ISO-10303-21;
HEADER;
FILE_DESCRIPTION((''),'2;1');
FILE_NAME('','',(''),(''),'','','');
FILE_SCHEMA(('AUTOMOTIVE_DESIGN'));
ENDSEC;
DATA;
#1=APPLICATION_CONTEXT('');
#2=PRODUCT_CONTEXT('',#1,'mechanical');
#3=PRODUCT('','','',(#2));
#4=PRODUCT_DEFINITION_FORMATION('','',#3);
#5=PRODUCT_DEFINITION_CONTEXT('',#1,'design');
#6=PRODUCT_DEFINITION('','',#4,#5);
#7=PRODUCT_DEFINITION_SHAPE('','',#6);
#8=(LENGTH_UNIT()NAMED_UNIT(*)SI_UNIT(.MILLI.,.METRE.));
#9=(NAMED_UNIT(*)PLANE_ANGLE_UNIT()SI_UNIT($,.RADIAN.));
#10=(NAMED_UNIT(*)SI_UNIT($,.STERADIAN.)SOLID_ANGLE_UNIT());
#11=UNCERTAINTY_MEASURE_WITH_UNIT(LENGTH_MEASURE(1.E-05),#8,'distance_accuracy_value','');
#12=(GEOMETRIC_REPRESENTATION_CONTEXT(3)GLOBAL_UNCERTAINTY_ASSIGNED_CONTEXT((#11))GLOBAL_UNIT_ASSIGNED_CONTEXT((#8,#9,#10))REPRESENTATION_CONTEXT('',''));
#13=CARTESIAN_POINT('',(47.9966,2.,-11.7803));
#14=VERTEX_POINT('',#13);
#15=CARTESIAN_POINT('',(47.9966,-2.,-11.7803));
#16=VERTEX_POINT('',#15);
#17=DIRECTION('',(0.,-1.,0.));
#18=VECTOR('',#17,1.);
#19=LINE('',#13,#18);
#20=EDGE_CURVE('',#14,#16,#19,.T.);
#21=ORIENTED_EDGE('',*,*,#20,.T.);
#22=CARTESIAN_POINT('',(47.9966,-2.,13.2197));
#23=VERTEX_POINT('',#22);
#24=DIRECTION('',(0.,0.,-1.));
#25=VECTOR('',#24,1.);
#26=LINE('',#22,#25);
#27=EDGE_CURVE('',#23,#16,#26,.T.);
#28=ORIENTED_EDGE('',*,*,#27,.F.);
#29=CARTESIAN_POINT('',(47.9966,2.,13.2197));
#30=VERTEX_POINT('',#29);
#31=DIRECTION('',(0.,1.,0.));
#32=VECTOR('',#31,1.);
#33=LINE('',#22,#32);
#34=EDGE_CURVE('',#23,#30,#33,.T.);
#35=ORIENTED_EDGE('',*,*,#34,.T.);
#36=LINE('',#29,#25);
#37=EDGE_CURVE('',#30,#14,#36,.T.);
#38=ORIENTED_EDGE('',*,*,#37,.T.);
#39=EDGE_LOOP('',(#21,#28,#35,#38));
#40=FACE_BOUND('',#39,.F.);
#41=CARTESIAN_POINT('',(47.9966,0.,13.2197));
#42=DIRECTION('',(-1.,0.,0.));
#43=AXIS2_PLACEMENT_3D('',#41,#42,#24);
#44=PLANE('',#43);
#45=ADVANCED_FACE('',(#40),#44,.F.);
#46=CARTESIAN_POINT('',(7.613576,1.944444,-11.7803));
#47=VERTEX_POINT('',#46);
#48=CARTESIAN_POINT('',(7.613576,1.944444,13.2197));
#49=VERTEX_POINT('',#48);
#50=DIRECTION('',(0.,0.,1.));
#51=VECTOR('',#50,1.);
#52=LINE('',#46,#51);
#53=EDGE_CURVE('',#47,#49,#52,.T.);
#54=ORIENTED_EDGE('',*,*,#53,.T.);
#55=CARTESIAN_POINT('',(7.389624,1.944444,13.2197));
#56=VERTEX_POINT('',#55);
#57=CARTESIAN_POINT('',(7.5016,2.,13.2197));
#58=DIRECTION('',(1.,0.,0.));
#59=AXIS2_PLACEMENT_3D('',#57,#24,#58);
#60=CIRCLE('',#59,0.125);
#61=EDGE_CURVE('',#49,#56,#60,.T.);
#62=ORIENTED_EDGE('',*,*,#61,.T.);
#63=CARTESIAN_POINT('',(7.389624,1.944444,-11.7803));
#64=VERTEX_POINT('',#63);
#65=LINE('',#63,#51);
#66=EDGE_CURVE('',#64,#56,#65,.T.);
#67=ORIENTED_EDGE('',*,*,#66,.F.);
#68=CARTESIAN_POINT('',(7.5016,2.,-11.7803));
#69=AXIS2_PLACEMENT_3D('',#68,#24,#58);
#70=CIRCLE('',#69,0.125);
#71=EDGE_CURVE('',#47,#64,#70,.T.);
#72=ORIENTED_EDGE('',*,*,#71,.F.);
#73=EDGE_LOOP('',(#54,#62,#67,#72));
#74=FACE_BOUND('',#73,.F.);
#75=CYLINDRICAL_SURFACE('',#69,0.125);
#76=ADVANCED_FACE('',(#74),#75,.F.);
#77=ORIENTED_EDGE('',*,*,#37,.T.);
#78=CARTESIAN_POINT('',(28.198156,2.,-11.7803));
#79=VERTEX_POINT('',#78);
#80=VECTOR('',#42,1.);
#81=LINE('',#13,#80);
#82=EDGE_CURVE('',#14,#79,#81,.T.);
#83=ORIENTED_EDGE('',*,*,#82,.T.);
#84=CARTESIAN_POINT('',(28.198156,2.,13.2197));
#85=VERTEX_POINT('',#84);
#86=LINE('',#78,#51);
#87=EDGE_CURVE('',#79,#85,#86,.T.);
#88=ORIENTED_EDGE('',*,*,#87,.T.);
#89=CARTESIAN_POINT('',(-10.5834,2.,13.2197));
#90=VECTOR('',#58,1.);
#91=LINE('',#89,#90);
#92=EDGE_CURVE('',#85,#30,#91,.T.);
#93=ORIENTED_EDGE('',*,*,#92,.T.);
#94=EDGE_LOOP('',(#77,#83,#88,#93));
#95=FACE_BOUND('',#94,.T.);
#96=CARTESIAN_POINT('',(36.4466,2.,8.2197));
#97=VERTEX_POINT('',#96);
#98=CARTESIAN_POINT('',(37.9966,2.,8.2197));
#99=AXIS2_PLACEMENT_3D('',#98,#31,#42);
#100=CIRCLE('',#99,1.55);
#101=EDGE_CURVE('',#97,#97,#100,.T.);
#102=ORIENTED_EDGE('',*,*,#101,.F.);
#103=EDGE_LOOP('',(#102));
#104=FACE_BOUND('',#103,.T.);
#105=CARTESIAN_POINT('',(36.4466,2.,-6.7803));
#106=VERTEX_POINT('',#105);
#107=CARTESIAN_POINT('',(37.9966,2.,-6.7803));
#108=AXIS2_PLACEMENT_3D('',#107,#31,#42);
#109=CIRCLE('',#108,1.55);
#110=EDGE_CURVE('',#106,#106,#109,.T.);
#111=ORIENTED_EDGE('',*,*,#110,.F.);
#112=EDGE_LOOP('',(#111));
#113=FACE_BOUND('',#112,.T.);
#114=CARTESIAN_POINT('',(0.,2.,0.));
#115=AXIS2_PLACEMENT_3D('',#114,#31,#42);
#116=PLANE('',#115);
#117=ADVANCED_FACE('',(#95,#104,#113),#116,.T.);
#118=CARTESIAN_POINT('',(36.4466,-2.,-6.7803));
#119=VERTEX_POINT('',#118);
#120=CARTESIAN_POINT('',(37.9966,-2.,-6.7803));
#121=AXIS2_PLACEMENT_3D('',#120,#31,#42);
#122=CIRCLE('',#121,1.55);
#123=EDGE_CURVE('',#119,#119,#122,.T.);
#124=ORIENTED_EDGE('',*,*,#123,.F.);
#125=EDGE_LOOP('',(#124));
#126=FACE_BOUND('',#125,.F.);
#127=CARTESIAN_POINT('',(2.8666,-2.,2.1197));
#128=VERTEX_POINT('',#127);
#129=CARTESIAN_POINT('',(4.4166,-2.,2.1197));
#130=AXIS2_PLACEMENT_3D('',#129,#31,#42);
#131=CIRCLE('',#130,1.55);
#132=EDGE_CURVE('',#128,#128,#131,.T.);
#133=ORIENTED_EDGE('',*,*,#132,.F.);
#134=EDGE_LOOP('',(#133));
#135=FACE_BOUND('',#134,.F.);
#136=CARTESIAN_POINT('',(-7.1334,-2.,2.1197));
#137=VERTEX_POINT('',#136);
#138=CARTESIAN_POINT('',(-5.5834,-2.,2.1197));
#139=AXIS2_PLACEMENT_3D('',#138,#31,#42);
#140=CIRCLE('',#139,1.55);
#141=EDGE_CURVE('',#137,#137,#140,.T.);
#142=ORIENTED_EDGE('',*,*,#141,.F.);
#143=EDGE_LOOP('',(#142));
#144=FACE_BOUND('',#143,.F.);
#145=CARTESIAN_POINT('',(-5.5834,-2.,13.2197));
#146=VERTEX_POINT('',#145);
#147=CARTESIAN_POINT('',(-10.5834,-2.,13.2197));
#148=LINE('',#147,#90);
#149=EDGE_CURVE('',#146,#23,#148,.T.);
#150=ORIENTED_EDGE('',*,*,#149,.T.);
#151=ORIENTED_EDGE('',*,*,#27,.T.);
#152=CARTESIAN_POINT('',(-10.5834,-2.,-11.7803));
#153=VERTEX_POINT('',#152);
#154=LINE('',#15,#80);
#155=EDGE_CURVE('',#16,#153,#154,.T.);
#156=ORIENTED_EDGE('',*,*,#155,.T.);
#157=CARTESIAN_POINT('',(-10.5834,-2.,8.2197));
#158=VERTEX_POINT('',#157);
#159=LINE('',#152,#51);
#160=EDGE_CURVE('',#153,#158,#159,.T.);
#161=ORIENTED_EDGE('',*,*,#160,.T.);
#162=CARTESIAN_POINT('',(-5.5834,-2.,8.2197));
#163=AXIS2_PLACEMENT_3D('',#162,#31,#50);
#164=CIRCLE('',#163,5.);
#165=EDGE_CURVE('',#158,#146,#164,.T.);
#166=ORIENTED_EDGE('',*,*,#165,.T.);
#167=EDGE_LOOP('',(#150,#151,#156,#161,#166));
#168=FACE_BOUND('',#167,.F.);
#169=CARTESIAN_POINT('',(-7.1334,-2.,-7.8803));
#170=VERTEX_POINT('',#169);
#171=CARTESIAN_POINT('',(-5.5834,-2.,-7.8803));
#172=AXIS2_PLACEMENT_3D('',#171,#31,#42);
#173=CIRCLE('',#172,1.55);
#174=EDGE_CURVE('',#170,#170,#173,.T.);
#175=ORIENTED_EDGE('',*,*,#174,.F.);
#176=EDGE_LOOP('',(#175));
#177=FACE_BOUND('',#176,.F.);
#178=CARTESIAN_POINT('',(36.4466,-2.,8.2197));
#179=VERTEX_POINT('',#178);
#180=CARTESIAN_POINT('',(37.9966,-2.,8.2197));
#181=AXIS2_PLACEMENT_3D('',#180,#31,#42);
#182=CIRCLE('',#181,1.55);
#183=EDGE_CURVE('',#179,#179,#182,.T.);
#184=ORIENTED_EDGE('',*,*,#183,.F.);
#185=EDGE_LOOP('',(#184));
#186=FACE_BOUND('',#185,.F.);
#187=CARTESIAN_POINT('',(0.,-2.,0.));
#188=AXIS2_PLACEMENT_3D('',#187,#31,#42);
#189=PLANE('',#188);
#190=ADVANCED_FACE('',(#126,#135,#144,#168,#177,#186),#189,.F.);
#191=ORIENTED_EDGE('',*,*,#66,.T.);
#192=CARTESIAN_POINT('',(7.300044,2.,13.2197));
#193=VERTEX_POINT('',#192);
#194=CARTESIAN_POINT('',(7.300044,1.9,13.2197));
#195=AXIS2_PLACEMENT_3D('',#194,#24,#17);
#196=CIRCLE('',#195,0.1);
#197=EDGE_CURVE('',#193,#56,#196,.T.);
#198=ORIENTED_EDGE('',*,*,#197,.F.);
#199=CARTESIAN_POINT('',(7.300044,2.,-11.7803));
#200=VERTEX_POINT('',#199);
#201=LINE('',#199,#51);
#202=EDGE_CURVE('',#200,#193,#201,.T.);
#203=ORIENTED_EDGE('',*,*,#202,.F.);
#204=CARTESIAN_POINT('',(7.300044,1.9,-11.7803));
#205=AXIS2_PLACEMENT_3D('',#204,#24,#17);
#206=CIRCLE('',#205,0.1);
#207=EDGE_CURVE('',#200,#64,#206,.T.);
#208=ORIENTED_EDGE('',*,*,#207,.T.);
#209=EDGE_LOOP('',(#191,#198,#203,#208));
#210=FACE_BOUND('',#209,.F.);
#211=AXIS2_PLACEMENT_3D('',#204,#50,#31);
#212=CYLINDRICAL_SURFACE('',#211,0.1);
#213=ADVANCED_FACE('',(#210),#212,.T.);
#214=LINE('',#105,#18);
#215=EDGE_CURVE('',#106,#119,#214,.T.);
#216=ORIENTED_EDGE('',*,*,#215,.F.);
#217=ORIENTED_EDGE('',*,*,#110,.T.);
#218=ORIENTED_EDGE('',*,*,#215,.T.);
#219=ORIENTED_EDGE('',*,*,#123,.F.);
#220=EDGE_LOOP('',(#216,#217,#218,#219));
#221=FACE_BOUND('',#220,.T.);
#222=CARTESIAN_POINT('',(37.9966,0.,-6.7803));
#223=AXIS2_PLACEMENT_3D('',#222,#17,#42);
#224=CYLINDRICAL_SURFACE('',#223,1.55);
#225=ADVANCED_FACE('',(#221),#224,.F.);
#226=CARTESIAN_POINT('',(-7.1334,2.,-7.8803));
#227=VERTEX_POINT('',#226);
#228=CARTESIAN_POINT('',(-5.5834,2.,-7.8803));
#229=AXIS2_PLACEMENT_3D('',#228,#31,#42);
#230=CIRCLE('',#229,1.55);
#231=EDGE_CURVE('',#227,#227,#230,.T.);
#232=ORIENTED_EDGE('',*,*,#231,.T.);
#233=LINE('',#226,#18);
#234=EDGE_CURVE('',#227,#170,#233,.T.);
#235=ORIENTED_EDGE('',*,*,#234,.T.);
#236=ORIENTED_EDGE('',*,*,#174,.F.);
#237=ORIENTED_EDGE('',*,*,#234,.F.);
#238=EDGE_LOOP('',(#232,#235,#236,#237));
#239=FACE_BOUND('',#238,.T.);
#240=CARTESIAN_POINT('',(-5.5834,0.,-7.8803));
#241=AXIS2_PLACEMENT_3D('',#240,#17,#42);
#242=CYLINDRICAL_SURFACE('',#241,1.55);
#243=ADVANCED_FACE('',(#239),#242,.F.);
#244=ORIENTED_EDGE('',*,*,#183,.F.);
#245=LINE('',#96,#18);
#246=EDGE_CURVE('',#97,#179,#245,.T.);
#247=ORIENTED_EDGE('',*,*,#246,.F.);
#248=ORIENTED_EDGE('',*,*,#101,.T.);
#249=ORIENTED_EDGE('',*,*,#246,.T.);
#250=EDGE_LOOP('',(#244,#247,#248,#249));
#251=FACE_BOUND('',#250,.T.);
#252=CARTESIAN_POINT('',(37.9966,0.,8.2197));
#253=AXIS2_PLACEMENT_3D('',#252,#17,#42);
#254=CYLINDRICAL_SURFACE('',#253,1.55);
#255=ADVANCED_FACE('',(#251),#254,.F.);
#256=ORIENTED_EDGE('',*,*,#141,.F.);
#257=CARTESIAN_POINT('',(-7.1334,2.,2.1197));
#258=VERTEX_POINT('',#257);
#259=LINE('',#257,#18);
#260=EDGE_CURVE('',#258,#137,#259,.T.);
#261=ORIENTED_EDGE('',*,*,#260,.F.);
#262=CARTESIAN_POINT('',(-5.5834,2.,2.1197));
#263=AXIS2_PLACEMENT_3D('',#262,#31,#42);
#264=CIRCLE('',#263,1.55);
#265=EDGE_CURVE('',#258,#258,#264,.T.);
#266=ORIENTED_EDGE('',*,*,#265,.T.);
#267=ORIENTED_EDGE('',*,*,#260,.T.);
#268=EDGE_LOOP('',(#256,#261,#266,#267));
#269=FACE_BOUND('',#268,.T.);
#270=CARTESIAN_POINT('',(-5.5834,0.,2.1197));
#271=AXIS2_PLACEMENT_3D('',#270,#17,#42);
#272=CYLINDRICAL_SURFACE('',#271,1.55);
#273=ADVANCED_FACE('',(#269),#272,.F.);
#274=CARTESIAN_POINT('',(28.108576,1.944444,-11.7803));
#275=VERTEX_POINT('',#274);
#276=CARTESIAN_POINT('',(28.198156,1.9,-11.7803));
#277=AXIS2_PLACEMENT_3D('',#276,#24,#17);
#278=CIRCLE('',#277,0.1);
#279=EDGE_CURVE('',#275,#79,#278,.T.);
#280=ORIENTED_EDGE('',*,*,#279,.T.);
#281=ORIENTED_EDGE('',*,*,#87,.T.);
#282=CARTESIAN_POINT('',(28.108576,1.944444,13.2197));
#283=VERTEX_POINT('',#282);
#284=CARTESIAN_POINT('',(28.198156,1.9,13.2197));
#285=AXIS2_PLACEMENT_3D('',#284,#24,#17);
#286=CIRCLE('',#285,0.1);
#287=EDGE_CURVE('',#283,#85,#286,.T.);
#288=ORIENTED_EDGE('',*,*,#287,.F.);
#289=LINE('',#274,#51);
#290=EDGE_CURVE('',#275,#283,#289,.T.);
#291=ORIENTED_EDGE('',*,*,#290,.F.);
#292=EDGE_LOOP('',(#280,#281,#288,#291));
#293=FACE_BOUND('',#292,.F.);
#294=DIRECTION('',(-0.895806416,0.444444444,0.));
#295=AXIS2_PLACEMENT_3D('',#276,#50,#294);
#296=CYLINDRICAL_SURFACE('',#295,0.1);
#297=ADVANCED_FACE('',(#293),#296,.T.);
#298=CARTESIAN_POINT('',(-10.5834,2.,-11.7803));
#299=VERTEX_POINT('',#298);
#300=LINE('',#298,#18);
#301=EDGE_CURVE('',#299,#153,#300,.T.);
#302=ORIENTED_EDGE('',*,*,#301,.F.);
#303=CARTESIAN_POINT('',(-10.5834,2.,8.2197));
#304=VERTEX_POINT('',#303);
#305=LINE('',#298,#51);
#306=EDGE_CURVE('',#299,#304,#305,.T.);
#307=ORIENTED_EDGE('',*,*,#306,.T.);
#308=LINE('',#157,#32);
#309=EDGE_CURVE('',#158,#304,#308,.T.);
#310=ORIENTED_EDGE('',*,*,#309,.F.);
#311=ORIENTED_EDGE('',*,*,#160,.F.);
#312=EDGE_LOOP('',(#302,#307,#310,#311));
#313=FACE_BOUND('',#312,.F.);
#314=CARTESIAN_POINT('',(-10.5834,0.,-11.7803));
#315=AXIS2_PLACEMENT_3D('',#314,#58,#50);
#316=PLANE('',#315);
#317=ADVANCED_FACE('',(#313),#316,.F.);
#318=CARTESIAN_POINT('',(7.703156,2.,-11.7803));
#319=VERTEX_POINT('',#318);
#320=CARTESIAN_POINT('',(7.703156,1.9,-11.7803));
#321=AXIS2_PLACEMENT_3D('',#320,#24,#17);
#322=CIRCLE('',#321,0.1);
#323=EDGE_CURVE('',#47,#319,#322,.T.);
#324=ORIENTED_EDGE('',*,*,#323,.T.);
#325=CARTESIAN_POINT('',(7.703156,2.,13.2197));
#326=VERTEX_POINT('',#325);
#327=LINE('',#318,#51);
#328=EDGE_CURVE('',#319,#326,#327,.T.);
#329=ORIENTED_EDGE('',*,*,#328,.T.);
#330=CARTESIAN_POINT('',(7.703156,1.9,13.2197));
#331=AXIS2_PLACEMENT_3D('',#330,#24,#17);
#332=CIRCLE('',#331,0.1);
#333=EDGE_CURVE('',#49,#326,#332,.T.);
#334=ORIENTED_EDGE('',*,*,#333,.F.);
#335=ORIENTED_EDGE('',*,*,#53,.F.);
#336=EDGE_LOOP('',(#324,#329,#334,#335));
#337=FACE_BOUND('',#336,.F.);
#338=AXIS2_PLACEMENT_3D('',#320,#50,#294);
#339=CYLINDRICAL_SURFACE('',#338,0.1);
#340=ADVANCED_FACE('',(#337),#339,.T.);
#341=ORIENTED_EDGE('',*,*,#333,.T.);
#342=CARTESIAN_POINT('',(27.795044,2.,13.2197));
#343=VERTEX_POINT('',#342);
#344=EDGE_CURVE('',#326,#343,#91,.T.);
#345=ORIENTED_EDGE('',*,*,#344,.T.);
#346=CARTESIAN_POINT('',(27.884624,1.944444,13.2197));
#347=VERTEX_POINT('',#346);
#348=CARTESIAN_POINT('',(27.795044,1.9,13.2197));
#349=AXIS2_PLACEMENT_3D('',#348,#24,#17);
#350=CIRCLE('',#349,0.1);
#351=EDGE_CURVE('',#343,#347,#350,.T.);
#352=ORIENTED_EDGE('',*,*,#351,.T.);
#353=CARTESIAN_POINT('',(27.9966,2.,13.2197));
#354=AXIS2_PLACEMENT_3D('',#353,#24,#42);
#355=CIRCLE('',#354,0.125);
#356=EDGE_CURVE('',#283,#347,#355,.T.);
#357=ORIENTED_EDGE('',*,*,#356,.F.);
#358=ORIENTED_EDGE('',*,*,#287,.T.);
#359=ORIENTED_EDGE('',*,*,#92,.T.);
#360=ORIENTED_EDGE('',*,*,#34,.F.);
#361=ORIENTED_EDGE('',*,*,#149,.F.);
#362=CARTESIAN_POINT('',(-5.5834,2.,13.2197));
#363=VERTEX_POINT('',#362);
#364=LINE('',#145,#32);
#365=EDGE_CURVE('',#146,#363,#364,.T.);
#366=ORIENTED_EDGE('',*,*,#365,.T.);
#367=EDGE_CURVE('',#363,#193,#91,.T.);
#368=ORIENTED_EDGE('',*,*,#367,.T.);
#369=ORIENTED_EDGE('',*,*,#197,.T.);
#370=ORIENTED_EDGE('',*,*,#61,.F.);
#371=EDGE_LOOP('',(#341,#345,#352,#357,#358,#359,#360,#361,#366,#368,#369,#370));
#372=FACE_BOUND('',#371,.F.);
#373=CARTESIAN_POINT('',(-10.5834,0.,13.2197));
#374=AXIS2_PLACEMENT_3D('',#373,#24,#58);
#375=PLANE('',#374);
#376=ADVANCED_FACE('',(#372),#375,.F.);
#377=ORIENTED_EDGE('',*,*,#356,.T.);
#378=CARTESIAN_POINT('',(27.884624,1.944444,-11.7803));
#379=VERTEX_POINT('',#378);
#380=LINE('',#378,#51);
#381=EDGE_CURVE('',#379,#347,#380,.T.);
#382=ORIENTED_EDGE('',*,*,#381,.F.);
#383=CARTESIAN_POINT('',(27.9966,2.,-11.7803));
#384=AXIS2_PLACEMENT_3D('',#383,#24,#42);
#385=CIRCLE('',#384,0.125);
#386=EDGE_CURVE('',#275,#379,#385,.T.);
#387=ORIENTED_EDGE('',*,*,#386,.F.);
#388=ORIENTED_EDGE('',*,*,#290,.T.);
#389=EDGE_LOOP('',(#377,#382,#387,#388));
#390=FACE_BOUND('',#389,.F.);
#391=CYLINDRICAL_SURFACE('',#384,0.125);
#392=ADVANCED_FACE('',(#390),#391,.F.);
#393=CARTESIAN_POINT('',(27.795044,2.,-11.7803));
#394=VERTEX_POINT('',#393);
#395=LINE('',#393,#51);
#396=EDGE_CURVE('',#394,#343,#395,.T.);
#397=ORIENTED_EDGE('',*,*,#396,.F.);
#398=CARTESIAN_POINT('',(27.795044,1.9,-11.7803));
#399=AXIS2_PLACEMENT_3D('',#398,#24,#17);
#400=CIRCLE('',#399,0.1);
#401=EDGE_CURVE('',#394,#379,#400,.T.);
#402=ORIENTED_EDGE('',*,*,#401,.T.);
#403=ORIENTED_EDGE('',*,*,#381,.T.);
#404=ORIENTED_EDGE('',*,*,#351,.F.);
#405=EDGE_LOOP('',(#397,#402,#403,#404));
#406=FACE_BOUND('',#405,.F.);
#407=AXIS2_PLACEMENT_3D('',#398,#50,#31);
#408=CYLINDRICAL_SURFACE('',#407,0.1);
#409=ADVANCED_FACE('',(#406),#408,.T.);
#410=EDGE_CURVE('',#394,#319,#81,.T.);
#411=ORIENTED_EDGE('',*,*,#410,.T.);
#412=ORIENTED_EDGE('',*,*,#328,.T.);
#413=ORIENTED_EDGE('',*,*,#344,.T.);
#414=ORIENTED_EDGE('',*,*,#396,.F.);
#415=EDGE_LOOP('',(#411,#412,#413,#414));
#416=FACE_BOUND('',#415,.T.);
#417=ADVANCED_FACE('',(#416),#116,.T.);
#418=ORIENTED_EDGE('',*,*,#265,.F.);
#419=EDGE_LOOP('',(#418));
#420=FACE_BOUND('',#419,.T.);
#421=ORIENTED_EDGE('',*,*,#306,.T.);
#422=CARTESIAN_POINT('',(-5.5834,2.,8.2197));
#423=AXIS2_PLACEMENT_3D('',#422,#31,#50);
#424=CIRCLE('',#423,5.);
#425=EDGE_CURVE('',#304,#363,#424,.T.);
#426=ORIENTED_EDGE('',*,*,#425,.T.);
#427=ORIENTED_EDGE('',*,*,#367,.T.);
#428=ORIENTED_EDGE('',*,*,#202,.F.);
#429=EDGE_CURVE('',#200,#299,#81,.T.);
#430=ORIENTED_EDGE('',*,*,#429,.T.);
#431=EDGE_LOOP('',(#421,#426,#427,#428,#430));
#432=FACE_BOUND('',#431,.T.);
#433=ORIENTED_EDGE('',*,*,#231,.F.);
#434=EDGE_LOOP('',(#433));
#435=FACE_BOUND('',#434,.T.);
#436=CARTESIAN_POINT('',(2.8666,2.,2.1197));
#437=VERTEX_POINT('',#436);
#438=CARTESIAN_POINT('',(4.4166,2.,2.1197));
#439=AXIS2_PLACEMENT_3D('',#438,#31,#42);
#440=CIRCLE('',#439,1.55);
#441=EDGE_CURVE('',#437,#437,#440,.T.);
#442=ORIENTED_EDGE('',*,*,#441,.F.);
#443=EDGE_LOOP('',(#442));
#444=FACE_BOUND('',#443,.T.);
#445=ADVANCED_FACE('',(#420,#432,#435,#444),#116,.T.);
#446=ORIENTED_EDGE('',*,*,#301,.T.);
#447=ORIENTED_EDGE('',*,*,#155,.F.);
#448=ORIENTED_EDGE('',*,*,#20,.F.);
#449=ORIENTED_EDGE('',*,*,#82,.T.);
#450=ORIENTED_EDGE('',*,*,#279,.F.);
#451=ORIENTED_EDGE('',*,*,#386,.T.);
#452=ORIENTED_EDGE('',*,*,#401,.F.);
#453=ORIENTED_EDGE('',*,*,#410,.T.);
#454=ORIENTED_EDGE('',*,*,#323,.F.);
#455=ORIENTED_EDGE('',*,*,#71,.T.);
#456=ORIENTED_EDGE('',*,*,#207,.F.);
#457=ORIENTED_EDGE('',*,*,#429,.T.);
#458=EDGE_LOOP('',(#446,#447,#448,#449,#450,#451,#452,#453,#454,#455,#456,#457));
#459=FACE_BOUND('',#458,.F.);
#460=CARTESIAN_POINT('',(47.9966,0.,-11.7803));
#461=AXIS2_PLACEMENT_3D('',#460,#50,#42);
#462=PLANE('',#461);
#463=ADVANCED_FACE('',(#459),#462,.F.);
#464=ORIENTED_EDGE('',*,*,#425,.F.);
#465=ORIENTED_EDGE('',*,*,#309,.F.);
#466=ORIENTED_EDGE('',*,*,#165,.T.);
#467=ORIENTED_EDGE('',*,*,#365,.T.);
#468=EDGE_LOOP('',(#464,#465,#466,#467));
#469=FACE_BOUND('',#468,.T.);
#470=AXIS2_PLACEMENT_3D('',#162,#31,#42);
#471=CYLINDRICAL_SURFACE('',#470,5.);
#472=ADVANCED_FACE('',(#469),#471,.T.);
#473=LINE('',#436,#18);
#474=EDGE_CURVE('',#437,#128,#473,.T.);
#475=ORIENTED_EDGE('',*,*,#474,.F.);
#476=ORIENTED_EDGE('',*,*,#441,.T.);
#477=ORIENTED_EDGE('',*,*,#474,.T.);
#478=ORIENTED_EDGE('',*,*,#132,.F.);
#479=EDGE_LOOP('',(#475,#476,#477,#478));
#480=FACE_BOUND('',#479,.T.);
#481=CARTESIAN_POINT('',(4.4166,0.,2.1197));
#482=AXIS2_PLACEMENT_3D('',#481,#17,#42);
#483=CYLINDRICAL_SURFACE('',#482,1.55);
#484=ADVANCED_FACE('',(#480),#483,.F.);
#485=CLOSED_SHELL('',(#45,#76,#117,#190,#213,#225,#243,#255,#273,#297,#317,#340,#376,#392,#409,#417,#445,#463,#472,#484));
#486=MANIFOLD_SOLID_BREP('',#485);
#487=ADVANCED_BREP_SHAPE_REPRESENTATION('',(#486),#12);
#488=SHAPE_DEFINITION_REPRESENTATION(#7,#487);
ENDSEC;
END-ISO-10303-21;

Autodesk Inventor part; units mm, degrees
ref_plane "YZ Plane" through (0, 0, 0) normal (1, 0, 0) x (0, 1, 0)
ref_plane "XZ Plane" through (0, 0, 0) normal (0, 1, 0) x (-1, 0, 0)
ref_plane "XY Plane" through (0, 0, 0) normal (0, 0, 1) x (1, 0, 0)
sketch "Sketch1" plane through (0, 0, 0) normal (0, 1, 0) x (-1, 0, 0)
  line L0 (10.5834, 13.2197) -> (-47.9966, 13.2197)
  line L1 (-47.9966, 13.2197) -> (-47.9966, -11.7803)
  line L2 (-47.9966, -11.7803) -> (10.5834, -11.7803)
  line L3 (10.5834, -11.7803) -> (10.5834, 13.2197)
  circle A0 centre (5.5834, -7.8803) radius 1.55
  circle A1 centre (5.5834, 2.1197) radius 1.55
  circle A2 centre (-4.4166, 2.1197) radius 1.55
  circle A3 centre (-37.9966, 8.2197) radius 1.55
  circle A4 centre (-37.9966, -6.7803) radius 1.55
  point P0 (0, 0)
  dimension "d0" = 3.1
  dimension "d1" = 3.9
  dimension "d4" = 10
  dimension "d11" = 10
  dimension "d16" = 25
  dimension "d17" = 5
  dimension "d18" = 58.58
  dimension "d19" = 3.1
  dimension "d20" = 10
  dimension "d23" = 15
  dimension "d28" = 5
extrude "Extrusion1" add sketch "Sketch1" along normal mid plane 4
sketch "Sketch2" plane through (47.9966, 2, -11.7803) normal (0, 0, -1) x (-1, 0, 0)
  arc A0 (40.37, 0) -> (40.62, 0) centre (40.495, 0) ccw
  line L0 (0, 0) -> (58.58, 0) projected
  line L1 (58.58, -4) -> (58.58, 0) projected
  circle A1 centre (20, 0) radius 0.125
  line L2 (0, -4) -> (0, 0) projected
  point P0 (47.9966, -2)
  point P1 (58.58, -2)
  point P2 (20.125, 0)
  point P3 (19.875, 0)
  dimension "d31" = 0.25
  dimension "d34" = 18.085
  dimension "d35" = 0.25
  dimension "d36" = 20
extrude "Extrusion2" cut sketch "Sketch2" against normal up to surface (25 mm away) contours L0 A0 | A1 L0 picked at (20, -0.0736)
fillet "Fillet1" radius 0.1 4 edges at (7.6266, 2, 0.7197) (7.3766, 2, 0.7197) (28.1216, 2, 0.7197) (27.8716, 2, 0.7197)
fillet "Fillet2" radius 5 1 edges at (-10.5834, 0, 13.2197)
properties part number "GVS_Plate"
